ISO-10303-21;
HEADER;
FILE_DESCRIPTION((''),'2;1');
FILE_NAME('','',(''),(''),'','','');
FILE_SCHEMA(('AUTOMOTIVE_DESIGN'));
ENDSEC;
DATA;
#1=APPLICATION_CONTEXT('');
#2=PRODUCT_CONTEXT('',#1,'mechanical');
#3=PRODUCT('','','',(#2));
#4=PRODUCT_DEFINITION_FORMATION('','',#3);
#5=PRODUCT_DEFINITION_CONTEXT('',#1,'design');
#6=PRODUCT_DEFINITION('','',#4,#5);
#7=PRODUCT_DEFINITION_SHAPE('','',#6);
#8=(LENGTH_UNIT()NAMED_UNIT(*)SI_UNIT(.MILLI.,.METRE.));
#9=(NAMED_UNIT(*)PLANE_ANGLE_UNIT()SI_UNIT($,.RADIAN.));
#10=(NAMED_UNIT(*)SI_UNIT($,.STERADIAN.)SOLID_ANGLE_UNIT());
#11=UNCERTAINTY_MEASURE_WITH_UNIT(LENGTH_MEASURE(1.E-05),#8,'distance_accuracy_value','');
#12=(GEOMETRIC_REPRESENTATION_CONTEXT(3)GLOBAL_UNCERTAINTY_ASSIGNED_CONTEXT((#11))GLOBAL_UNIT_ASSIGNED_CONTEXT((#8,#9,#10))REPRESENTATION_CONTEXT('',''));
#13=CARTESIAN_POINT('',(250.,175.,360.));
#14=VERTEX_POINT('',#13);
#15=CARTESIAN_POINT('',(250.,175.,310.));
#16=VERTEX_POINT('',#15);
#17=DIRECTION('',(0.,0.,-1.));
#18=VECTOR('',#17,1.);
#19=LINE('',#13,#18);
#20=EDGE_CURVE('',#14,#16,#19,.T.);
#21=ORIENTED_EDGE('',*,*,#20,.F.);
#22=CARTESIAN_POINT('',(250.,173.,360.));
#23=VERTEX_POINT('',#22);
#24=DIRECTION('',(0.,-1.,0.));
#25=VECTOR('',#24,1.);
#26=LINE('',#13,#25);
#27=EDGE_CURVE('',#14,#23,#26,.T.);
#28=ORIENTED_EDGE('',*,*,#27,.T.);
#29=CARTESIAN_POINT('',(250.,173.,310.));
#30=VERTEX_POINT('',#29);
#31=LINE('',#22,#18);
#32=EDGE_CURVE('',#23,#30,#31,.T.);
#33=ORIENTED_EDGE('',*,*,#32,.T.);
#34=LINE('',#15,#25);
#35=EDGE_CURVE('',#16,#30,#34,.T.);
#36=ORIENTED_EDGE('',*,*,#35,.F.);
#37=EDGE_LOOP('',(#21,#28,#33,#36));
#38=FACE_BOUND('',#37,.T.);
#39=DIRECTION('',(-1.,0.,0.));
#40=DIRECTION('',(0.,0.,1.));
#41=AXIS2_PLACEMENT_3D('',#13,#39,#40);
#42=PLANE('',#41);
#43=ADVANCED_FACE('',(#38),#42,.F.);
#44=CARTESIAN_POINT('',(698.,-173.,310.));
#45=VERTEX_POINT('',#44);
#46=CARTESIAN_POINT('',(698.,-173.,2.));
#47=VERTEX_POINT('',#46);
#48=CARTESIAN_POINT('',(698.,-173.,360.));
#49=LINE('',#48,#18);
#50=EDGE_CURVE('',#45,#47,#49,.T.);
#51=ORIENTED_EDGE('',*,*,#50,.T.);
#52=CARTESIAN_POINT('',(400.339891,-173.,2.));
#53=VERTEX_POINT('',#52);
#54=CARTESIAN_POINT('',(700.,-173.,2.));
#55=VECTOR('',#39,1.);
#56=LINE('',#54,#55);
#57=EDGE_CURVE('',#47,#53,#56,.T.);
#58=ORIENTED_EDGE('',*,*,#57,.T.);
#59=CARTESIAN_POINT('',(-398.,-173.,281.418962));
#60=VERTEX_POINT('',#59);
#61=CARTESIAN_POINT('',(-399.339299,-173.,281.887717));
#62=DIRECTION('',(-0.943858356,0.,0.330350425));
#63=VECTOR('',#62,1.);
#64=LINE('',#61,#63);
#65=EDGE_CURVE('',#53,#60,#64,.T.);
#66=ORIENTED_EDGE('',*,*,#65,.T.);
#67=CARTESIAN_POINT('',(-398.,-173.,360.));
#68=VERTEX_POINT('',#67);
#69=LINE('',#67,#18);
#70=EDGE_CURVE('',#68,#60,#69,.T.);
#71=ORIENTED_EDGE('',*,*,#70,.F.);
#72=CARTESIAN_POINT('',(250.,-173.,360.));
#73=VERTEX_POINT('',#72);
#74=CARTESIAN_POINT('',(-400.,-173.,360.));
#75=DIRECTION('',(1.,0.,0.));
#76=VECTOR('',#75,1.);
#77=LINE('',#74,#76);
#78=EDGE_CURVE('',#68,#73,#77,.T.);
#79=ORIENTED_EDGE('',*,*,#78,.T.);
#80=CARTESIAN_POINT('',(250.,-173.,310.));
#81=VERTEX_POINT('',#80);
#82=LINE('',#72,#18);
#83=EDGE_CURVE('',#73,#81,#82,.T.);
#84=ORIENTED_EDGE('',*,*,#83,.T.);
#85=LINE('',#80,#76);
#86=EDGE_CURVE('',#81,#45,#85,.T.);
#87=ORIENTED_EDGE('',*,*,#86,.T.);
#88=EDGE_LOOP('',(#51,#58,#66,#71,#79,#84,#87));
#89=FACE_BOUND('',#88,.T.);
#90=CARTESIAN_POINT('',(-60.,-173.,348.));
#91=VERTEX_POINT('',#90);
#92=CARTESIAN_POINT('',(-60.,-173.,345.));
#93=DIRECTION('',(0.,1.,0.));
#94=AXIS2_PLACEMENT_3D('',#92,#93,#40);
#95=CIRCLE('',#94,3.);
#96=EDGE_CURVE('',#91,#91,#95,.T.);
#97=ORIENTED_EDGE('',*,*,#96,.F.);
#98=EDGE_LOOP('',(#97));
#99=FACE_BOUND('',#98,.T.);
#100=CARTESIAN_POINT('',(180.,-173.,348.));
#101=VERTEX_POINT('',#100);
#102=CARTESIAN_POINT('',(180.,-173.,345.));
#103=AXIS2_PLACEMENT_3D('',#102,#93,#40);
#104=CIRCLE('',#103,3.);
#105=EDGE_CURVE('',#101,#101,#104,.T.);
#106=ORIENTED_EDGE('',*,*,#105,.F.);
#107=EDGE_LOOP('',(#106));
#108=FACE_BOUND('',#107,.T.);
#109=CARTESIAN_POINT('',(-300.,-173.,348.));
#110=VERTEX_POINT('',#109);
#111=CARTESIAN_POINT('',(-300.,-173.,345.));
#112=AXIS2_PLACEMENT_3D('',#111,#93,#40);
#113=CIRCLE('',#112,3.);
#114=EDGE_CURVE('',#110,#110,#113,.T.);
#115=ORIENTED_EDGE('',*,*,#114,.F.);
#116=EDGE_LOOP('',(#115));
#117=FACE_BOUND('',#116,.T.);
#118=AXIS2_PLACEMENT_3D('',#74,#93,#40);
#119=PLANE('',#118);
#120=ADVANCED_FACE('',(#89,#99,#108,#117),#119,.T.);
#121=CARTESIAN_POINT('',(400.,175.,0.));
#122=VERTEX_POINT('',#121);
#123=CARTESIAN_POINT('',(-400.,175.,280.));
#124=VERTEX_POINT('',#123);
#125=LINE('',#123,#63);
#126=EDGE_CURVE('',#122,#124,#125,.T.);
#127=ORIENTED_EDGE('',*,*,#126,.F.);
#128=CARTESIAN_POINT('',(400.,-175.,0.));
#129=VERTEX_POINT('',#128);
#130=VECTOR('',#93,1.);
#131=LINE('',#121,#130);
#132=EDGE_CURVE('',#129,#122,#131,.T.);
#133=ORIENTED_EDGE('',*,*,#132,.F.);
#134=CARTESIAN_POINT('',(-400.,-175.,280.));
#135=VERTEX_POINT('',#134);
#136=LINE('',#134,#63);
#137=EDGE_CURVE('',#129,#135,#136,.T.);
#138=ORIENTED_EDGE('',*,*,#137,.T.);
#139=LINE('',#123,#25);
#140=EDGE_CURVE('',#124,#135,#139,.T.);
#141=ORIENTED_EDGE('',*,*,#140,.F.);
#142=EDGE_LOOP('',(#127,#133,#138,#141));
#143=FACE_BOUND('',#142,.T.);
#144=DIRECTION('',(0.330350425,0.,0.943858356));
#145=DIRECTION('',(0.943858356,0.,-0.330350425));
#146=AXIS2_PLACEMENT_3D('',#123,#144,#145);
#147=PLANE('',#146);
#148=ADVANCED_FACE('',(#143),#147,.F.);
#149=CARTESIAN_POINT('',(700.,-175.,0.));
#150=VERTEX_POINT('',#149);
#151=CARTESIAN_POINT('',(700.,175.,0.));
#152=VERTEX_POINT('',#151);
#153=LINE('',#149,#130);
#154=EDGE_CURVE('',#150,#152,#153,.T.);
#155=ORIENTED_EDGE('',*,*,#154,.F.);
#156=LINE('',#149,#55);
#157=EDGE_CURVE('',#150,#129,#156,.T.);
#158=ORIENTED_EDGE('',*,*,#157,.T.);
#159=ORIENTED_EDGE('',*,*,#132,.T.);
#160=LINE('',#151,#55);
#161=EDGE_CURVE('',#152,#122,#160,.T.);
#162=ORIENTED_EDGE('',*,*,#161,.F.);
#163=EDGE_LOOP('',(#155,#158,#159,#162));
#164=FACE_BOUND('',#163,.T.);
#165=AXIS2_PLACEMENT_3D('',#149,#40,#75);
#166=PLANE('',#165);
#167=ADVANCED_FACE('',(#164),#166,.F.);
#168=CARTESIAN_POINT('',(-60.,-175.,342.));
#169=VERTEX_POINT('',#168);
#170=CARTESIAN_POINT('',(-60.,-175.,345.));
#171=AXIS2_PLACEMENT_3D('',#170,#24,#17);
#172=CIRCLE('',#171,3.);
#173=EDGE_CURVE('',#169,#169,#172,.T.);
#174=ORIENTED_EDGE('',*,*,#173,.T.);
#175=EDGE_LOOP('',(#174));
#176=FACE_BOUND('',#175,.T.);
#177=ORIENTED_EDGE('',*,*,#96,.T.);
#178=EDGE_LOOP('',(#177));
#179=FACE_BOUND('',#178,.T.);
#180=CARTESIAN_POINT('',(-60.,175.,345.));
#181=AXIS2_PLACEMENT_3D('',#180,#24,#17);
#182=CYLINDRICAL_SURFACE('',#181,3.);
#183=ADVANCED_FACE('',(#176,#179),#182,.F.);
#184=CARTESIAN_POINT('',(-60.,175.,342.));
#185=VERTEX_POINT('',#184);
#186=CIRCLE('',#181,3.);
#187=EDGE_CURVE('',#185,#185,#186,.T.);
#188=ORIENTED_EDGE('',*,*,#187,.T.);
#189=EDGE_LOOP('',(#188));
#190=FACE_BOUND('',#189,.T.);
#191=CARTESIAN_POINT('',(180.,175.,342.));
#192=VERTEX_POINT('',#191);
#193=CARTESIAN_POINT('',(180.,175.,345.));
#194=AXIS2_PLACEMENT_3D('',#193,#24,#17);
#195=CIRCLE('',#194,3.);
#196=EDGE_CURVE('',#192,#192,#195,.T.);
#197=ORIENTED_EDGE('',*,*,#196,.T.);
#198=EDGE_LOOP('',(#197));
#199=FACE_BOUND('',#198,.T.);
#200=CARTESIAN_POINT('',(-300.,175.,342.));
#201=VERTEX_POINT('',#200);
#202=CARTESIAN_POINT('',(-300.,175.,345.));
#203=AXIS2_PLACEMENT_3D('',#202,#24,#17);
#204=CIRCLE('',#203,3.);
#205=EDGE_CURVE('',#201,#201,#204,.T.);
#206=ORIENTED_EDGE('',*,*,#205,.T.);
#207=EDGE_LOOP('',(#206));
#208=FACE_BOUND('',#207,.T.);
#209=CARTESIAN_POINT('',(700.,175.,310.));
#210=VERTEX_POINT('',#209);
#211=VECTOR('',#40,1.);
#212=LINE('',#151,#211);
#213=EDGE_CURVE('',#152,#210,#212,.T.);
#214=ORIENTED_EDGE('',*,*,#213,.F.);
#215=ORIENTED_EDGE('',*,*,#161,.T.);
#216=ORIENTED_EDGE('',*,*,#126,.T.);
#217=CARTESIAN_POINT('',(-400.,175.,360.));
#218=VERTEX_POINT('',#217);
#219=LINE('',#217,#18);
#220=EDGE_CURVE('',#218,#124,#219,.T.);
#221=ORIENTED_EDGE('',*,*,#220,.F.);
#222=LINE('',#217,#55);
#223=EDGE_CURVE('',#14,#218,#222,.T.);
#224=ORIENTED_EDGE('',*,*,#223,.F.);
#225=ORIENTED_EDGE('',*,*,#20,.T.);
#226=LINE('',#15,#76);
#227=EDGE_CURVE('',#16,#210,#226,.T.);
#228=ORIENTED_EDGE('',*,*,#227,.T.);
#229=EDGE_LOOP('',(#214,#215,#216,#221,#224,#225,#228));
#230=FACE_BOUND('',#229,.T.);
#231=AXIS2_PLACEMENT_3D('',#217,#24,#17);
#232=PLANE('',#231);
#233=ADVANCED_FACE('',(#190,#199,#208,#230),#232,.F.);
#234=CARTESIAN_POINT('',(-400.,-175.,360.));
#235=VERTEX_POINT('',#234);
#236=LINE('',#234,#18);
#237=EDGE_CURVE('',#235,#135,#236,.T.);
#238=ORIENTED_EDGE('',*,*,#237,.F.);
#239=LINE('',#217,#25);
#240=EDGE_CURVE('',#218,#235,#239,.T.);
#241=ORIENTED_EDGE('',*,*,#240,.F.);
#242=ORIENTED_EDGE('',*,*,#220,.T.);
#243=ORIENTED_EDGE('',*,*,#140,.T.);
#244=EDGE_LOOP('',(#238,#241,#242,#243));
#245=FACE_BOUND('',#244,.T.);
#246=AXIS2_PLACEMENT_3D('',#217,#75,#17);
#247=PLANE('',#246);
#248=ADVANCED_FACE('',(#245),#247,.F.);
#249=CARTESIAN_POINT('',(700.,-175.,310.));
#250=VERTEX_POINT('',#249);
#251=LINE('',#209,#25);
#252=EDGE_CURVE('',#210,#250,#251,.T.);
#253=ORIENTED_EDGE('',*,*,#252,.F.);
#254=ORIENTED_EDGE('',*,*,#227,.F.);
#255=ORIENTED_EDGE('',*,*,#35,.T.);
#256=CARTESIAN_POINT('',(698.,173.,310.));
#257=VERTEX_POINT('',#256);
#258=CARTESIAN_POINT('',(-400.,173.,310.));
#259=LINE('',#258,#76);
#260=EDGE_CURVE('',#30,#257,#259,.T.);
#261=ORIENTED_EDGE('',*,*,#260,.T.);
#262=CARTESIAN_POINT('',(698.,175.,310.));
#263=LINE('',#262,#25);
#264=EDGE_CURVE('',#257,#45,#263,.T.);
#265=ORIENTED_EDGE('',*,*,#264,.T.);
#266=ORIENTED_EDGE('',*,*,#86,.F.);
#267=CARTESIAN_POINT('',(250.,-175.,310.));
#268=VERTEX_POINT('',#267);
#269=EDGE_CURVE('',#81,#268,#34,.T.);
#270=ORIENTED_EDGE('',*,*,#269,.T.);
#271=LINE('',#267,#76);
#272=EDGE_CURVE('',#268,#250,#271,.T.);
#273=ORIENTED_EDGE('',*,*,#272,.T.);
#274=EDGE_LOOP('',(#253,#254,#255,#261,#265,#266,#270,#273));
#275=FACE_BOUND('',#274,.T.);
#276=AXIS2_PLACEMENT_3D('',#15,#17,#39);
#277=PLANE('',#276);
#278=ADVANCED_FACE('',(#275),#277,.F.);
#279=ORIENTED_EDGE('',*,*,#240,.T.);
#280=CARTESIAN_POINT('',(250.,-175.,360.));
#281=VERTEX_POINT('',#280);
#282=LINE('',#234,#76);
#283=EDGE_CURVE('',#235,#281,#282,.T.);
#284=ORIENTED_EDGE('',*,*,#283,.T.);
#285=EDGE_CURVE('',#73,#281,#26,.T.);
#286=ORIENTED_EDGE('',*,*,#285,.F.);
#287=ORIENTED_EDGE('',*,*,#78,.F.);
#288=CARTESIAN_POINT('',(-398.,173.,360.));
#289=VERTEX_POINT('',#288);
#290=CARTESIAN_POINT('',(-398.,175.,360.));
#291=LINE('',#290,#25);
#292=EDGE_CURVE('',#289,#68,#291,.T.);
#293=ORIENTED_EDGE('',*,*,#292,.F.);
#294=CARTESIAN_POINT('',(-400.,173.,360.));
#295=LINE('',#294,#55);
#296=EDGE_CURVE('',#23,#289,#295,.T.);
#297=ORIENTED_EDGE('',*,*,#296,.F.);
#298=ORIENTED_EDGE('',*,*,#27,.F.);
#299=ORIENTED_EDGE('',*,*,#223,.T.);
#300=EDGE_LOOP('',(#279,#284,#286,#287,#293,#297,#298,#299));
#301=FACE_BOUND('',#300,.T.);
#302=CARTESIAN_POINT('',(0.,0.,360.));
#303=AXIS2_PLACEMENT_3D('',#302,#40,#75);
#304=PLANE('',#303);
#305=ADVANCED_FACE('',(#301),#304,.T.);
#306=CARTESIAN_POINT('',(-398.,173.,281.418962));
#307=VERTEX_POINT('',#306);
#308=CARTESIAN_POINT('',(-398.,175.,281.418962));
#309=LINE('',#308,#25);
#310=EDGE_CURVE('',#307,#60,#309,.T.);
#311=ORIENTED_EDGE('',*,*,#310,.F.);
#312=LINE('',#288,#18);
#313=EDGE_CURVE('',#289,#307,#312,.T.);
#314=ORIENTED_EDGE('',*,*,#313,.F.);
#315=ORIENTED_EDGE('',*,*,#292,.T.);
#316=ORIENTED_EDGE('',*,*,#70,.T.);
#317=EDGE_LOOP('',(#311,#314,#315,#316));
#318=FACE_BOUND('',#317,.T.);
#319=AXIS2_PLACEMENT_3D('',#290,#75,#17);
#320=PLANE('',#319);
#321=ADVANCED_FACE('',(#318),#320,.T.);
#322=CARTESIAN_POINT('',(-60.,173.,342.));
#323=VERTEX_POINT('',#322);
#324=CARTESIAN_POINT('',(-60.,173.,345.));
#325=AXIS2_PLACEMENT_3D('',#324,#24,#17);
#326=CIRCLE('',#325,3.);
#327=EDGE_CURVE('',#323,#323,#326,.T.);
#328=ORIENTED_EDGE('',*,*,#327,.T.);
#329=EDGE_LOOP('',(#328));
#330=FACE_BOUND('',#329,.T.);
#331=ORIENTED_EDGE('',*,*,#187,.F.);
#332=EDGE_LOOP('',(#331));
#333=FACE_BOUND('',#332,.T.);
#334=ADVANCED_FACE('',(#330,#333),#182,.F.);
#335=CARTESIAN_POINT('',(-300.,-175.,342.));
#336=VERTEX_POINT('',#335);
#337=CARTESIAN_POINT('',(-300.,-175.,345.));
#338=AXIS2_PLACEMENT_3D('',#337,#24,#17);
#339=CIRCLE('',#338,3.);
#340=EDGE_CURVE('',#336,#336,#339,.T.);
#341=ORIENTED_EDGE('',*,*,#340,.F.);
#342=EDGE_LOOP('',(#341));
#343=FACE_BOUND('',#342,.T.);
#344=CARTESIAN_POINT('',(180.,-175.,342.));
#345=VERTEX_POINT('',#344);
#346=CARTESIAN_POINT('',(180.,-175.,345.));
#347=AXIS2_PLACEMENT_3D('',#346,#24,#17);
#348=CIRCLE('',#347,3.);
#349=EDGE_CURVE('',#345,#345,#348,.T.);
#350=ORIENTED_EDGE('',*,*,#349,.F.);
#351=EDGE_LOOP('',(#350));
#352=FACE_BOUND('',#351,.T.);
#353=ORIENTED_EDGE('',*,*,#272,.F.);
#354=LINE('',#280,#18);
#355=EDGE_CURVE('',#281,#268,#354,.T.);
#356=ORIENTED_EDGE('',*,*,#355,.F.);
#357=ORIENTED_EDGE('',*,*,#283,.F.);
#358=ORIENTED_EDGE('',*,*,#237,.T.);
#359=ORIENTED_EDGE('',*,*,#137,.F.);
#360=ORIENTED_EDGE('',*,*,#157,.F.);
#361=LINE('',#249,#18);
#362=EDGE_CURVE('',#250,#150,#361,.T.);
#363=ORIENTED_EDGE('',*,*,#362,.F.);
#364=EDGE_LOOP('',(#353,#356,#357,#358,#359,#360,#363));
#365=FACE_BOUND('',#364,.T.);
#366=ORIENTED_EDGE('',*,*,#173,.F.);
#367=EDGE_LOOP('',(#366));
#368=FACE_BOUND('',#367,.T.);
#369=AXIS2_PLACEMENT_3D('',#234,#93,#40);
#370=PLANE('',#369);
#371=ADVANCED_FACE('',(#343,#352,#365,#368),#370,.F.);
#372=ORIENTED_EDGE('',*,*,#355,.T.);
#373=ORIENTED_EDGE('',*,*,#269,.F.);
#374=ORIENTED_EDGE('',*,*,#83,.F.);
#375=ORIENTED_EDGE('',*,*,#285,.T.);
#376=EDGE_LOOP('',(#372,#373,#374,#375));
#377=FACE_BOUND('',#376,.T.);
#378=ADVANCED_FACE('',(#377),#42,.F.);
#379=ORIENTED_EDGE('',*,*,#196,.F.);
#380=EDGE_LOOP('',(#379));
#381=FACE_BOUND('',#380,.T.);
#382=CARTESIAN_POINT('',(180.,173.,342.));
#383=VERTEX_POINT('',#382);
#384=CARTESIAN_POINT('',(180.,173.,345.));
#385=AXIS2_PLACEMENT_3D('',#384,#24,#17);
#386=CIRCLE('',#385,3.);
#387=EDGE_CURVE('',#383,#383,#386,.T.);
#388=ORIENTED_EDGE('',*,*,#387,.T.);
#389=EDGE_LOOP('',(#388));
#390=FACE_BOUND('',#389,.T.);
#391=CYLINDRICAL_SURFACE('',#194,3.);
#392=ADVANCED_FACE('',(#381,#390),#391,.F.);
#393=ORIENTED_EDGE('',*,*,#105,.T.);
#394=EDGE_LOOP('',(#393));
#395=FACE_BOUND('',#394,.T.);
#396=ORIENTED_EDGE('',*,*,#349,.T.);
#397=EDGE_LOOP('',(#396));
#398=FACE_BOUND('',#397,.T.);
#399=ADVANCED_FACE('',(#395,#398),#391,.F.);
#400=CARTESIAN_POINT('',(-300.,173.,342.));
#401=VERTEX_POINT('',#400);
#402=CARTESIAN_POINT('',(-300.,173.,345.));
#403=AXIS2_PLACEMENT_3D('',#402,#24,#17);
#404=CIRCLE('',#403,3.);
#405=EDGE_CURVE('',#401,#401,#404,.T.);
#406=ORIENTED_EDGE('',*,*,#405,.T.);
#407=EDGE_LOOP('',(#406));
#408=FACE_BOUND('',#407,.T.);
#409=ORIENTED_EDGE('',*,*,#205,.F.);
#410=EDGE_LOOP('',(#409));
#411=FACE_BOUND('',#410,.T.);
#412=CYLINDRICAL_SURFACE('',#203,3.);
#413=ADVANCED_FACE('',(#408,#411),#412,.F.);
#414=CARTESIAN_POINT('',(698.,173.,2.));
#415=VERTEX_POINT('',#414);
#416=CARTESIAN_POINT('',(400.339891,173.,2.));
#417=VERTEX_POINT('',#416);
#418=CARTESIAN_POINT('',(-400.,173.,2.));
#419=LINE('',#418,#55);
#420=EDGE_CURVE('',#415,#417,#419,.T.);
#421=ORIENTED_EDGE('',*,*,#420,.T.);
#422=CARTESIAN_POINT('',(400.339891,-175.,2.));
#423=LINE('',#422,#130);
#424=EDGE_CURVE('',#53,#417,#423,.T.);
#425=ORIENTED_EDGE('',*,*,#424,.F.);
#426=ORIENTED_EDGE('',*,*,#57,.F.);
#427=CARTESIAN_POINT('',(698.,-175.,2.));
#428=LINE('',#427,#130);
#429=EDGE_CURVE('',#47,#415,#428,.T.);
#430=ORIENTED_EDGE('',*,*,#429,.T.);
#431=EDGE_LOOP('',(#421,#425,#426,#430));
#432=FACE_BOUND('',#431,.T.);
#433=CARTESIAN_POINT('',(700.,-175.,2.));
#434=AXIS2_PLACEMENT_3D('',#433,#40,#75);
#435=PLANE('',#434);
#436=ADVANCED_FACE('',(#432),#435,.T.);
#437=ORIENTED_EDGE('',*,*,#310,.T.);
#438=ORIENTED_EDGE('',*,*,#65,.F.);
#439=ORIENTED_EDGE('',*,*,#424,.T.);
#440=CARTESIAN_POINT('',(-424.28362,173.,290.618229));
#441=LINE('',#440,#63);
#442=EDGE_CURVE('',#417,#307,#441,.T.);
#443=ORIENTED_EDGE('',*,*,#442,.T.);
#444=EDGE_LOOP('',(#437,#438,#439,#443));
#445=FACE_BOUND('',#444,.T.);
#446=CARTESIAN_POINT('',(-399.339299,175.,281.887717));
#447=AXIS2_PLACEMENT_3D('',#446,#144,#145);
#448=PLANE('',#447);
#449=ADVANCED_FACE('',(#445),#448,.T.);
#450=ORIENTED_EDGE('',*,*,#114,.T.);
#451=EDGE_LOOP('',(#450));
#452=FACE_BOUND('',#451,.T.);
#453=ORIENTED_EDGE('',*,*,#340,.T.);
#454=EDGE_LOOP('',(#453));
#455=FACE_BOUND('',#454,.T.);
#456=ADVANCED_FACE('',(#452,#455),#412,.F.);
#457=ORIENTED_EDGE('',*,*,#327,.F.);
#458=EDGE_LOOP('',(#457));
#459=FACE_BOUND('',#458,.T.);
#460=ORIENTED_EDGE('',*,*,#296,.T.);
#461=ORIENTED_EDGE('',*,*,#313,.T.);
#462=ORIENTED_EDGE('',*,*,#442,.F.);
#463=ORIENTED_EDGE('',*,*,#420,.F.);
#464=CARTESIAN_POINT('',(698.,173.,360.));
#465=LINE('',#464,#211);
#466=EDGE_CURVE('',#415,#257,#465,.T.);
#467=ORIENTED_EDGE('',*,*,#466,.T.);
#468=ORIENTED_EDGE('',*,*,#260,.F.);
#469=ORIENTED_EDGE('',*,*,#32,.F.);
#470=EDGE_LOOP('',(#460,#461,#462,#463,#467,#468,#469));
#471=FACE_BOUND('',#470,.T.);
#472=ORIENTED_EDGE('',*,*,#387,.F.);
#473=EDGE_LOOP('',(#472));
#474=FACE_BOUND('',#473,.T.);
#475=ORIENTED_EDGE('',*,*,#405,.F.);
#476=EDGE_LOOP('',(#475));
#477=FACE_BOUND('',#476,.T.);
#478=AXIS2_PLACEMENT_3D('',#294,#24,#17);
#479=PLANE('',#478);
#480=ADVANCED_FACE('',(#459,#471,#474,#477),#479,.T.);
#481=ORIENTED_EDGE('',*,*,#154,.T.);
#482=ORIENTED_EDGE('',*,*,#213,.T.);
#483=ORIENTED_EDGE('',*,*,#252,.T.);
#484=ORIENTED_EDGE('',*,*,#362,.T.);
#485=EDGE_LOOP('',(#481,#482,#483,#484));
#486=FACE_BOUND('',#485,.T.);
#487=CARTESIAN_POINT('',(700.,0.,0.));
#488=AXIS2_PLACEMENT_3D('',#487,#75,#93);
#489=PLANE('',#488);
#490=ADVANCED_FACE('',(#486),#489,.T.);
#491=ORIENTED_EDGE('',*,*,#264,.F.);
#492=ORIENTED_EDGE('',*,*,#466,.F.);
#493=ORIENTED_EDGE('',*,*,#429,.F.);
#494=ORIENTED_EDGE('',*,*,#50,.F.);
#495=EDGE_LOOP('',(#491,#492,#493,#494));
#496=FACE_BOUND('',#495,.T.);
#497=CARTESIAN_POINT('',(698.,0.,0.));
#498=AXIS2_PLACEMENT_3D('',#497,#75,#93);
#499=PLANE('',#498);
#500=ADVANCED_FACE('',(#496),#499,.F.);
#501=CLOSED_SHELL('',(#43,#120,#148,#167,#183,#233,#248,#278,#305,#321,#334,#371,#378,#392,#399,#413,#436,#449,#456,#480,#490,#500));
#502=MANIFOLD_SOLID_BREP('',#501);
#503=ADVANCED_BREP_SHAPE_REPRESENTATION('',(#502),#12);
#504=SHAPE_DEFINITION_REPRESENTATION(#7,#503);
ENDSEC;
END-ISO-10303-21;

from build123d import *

# Parameters (mm, degrees)
SKETCH7_W           = 800
SKETCH7_H           = 350
BOSS_EXTRUDE1_DEPTH = 360
CUT_EXTRUDE1_DEPTH  = 642.950153828
SKETCH10_W          = 150
SKETCH10_H          = 50
CUT_EXTRUDE3_DEPTH  = 642.950153828
SKETCH11_W          = 310
SKETCH11_H          = 350
BOSS_EXTRUDE2_DEPTH = 300
SHELL3_T            = -2
SKETCH12_R          = 3
CUT_EXTRUDE4_DEPTH  = 862.452262171


with BuildPart() as part:
    # Sketch7 → Boss-Extrude1 (new body)
    with BuildSketch(Plane.XY):
        Rectangle(SKETCH7_W, SKETCH7_H)
    extrude(amount=BOSS_EXTRUDE1_DEPTH)

    # Sketch8 → Cut-Extrude1 (cut, through all)
    with BuildSketch(Plane.XZ.offset(175)):
        Polygon((-400, 280), (400, 0), (-400, 0), align=None)
    extrude(amount=-CUT_EXTRUDE1_DEPTH, mode=Mode.SUBTRACT)

    # Sketch10 → Cut-Extrude3 (cut, through all)
    with BuildSketch(Plane.XZ.offset(175)):
        with Locations((325, 335)):
            Rectangle(SKETCH10_W, SKETCH10_H)
    extrude(amount=-CUT_EXTRUDE3_DEPTH, mode=Mode.SUBTRACT)

    # Sketch11 → Boss-Extrude2 (add)
    with BuildSketch(Plane(origin=(400, 0, 0), x_dir=(0, 0, -1), z_dir=(1, 0, 0))):
        with Locations((-155, 0)):
            Rectangle(SKETCH11_W, SKETCH11_H)
    extrude(amount=BOSS_EXTRUDE2_DEPTH)

    # Shell3
    shell3_openings = [part.faces().sort_by_distance(p)[0] for p in [
        (-75, 0, 360),
        (475, 0, 310),
        (250, 0, 335),
    ]]
    offset(amount=SHELL3_T, openings=shell3_openings, kind=Kind.INTERSECTION)

    # Sketch12 → Cut-Extrude4 (cut, through all)
    with BuildSketch(Plane.XZ.offset(175)):
        with Locations(Location((-300, 345, 0), (0, 0, 270))):
            Circle(SKETCH12_R)
        with Locations(Location((-60, 345, 0), (0, 0, 270))):
            Circle(SKETCH12_R)
        with Locations(Location((180, 345, 0), (0, 0, 270))):
            Circle(SKETCH12_R)
    extrude(amount=-CUT_EXTRUDE4_DEPTH, mode=Mode.SUBTRACT)


solid = part.part
